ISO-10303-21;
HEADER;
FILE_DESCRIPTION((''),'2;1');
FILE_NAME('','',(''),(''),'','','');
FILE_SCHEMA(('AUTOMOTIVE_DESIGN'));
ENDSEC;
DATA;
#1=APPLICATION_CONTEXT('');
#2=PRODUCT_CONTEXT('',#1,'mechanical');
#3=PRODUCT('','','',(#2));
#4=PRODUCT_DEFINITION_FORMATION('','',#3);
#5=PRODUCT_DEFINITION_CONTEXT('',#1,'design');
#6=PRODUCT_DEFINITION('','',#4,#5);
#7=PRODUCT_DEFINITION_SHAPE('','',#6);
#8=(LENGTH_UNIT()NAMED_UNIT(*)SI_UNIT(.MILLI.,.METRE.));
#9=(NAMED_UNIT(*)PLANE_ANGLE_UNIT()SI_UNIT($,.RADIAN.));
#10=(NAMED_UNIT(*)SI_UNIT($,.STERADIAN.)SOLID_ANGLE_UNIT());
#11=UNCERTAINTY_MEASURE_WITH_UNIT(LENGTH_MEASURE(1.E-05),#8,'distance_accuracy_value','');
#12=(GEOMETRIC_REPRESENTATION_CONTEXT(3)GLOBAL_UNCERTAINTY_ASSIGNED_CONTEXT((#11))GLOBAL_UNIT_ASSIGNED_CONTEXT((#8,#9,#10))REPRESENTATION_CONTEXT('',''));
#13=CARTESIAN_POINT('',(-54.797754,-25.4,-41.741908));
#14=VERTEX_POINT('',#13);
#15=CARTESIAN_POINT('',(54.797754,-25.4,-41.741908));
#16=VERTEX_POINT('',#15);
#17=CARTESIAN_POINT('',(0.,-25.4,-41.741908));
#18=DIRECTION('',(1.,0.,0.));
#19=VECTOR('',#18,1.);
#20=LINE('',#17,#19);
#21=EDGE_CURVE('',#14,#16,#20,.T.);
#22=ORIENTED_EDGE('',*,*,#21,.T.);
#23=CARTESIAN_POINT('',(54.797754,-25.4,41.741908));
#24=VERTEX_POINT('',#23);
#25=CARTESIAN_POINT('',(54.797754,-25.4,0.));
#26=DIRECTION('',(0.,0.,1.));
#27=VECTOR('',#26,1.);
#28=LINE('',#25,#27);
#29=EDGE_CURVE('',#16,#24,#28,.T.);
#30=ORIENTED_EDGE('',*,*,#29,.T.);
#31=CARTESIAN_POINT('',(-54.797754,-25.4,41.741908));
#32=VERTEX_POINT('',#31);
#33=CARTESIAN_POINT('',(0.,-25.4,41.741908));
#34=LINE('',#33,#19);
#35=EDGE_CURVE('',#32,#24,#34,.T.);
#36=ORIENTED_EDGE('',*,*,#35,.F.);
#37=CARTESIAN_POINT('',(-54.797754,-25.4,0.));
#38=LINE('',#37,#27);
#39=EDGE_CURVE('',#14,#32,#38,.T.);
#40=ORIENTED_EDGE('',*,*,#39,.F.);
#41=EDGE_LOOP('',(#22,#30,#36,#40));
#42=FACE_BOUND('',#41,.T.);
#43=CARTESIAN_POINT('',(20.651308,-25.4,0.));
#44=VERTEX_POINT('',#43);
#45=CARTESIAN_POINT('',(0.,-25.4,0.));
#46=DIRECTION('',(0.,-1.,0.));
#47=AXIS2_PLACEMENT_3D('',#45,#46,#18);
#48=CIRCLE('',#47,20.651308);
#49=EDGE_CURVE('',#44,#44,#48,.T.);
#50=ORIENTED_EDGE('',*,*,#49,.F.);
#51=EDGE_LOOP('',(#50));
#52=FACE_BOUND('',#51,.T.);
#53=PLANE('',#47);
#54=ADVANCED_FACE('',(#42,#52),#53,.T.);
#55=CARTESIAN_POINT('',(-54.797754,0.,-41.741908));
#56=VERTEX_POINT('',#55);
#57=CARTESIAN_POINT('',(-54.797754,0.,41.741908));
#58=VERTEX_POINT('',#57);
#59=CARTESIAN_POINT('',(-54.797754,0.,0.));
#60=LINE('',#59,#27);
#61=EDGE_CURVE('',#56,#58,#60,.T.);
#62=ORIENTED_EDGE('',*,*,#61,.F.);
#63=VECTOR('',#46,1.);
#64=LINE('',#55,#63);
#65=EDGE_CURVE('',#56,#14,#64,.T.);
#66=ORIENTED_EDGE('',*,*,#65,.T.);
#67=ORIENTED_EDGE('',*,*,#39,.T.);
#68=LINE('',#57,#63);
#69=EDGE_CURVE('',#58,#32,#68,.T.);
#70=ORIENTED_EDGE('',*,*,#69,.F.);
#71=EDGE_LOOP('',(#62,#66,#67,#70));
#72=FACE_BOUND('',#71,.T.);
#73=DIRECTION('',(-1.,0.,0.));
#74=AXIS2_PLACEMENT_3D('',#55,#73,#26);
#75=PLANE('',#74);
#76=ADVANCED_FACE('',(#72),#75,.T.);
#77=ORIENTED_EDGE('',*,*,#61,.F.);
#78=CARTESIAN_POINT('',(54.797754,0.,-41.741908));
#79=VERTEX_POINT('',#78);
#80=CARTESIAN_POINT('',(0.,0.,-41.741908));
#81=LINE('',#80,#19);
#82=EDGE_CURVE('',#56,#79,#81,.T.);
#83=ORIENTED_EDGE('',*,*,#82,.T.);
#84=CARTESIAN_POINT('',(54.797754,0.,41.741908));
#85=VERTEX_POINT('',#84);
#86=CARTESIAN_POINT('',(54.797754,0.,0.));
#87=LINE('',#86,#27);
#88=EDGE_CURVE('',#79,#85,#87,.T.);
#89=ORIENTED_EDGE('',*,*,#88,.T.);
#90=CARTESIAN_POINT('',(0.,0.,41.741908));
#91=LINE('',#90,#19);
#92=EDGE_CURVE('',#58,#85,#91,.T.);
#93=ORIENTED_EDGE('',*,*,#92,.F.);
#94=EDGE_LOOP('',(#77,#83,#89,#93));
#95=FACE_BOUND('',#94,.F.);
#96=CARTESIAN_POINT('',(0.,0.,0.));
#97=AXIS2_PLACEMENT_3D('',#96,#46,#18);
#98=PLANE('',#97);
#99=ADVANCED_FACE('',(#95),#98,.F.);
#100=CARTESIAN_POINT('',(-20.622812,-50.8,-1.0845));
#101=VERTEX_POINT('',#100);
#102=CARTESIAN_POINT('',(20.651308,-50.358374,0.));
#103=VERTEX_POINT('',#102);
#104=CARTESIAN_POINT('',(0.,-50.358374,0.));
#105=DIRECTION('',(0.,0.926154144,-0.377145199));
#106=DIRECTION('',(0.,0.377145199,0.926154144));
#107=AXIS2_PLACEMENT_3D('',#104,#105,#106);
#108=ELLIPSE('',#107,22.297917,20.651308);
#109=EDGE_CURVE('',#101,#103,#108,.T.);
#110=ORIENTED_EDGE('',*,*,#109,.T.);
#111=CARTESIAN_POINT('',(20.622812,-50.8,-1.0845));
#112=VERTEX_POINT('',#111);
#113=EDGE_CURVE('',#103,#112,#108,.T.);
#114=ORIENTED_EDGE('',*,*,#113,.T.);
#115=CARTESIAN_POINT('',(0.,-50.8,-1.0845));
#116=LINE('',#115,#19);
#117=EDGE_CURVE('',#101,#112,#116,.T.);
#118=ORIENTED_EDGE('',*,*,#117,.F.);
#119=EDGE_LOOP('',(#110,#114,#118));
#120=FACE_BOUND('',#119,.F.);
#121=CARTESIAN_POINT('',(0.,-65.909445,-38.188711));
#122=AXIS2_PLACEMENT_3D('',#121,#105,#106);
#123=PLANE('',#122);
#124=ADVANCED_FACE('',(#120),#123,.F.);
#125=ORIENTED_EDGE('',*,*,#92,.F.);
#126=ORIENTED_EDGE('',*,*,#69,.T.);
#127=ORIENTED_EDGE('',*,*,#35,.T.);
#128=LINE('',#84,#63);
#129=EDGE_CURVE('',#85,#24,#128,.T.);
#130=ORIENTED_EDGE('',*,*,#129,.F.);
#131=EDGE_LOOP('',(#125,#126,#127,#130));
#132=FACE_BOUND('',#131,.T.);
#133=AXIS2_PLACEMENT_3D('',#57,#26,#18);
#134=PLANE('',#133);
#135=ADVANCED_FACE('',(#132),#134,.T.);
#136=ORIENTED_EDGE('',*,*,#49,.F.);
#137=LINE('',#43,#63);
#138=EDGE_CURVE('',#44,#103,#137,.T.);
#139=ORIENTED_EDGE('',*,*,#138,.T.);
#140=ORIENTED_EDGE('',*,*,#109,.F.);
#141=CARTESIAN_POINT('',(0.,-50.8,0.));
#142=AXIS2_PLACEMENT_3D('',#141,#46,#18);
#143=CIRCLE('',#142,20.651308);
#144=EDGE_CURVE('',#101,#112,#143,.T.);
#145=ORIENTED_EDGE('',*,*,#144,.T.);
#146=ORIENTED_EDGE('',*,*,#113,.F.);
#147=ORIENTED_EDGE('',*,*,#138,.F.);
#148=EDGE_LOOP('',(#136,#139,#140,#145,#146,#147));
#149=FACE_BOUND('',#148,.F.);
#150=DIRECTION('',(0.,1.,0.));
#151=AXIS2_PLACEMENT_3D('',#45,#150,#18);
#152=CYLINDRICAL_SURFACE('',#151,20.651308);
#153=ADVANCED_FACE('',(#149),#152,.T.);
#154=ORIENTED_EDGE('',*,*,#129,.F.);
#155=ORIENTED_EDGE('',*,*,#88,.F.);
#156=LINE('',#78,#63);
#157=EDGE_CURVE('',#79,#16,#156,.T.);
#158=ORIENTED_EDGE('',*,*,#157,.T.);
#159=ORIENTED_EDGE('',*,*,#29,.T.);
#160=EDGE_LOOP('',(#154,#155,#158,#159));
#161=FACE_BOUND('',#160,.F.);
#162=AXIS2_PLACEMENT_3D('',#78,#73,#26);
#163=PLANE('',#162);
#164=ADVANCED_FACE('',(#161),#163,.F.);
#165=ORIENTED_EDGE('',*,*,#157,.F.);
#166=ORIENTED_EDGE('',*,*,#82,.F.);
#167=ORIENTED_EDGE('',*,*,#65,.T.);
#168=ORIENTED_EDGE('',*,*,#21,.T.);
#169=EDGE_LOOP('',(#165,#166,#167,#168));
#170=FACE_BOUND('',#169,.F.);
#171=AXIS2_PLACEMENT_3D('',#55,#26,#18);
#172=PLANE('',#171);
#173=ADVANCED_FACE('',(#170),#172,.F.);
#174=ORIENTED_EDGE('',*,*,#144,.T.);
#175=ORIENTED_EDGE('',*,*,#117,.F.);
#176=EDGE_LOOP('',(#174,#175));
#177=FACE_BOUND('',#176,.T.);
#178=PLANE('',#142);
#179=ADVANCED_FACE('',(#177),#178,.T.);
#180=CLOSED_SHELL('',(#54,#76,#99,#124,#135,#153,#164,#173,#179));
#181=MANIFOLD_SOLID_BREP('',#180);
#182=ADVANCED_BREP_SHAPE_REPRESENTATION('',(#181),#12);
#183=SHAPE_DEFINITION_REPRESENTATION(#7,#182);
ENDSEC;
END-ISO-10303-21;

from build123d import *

# Parameters (mm, degrees)
F0_W     = 109.595508
F0_H     = 83.483816
F1_DEPTH = 25.4
F2_R     = 20.651308
F3_DEPTH = 25.4
F5_DEPTH = 25.4


with BuildPart() as f1:
    # F0 (on Front) → F1 (new body)
    with BuildSketch(Plane.XZ):
        Rectangle(F0_W, F0_H)
    extrude(amount=F1_DEPTH)

    # F2 (on face) → F3 (join)
    with BuildSketch(Plane.XZ.offset(25.4)):
        Circle(F2_R)
    extrude(amount=F3_DEPTH)

    # F4 (on Right) → F5 (cut, symmetric)
    with BuildSketch(Plane.YZ):
        Polygon((-65.909445, 37.025604), (-65.909445, -38.188711), (-35.280939, 37.025604), align=None)
    extrude(amount=F5_DEPTH, both=True, mode=Mode.SUBTRACT)


solid = f1.part
